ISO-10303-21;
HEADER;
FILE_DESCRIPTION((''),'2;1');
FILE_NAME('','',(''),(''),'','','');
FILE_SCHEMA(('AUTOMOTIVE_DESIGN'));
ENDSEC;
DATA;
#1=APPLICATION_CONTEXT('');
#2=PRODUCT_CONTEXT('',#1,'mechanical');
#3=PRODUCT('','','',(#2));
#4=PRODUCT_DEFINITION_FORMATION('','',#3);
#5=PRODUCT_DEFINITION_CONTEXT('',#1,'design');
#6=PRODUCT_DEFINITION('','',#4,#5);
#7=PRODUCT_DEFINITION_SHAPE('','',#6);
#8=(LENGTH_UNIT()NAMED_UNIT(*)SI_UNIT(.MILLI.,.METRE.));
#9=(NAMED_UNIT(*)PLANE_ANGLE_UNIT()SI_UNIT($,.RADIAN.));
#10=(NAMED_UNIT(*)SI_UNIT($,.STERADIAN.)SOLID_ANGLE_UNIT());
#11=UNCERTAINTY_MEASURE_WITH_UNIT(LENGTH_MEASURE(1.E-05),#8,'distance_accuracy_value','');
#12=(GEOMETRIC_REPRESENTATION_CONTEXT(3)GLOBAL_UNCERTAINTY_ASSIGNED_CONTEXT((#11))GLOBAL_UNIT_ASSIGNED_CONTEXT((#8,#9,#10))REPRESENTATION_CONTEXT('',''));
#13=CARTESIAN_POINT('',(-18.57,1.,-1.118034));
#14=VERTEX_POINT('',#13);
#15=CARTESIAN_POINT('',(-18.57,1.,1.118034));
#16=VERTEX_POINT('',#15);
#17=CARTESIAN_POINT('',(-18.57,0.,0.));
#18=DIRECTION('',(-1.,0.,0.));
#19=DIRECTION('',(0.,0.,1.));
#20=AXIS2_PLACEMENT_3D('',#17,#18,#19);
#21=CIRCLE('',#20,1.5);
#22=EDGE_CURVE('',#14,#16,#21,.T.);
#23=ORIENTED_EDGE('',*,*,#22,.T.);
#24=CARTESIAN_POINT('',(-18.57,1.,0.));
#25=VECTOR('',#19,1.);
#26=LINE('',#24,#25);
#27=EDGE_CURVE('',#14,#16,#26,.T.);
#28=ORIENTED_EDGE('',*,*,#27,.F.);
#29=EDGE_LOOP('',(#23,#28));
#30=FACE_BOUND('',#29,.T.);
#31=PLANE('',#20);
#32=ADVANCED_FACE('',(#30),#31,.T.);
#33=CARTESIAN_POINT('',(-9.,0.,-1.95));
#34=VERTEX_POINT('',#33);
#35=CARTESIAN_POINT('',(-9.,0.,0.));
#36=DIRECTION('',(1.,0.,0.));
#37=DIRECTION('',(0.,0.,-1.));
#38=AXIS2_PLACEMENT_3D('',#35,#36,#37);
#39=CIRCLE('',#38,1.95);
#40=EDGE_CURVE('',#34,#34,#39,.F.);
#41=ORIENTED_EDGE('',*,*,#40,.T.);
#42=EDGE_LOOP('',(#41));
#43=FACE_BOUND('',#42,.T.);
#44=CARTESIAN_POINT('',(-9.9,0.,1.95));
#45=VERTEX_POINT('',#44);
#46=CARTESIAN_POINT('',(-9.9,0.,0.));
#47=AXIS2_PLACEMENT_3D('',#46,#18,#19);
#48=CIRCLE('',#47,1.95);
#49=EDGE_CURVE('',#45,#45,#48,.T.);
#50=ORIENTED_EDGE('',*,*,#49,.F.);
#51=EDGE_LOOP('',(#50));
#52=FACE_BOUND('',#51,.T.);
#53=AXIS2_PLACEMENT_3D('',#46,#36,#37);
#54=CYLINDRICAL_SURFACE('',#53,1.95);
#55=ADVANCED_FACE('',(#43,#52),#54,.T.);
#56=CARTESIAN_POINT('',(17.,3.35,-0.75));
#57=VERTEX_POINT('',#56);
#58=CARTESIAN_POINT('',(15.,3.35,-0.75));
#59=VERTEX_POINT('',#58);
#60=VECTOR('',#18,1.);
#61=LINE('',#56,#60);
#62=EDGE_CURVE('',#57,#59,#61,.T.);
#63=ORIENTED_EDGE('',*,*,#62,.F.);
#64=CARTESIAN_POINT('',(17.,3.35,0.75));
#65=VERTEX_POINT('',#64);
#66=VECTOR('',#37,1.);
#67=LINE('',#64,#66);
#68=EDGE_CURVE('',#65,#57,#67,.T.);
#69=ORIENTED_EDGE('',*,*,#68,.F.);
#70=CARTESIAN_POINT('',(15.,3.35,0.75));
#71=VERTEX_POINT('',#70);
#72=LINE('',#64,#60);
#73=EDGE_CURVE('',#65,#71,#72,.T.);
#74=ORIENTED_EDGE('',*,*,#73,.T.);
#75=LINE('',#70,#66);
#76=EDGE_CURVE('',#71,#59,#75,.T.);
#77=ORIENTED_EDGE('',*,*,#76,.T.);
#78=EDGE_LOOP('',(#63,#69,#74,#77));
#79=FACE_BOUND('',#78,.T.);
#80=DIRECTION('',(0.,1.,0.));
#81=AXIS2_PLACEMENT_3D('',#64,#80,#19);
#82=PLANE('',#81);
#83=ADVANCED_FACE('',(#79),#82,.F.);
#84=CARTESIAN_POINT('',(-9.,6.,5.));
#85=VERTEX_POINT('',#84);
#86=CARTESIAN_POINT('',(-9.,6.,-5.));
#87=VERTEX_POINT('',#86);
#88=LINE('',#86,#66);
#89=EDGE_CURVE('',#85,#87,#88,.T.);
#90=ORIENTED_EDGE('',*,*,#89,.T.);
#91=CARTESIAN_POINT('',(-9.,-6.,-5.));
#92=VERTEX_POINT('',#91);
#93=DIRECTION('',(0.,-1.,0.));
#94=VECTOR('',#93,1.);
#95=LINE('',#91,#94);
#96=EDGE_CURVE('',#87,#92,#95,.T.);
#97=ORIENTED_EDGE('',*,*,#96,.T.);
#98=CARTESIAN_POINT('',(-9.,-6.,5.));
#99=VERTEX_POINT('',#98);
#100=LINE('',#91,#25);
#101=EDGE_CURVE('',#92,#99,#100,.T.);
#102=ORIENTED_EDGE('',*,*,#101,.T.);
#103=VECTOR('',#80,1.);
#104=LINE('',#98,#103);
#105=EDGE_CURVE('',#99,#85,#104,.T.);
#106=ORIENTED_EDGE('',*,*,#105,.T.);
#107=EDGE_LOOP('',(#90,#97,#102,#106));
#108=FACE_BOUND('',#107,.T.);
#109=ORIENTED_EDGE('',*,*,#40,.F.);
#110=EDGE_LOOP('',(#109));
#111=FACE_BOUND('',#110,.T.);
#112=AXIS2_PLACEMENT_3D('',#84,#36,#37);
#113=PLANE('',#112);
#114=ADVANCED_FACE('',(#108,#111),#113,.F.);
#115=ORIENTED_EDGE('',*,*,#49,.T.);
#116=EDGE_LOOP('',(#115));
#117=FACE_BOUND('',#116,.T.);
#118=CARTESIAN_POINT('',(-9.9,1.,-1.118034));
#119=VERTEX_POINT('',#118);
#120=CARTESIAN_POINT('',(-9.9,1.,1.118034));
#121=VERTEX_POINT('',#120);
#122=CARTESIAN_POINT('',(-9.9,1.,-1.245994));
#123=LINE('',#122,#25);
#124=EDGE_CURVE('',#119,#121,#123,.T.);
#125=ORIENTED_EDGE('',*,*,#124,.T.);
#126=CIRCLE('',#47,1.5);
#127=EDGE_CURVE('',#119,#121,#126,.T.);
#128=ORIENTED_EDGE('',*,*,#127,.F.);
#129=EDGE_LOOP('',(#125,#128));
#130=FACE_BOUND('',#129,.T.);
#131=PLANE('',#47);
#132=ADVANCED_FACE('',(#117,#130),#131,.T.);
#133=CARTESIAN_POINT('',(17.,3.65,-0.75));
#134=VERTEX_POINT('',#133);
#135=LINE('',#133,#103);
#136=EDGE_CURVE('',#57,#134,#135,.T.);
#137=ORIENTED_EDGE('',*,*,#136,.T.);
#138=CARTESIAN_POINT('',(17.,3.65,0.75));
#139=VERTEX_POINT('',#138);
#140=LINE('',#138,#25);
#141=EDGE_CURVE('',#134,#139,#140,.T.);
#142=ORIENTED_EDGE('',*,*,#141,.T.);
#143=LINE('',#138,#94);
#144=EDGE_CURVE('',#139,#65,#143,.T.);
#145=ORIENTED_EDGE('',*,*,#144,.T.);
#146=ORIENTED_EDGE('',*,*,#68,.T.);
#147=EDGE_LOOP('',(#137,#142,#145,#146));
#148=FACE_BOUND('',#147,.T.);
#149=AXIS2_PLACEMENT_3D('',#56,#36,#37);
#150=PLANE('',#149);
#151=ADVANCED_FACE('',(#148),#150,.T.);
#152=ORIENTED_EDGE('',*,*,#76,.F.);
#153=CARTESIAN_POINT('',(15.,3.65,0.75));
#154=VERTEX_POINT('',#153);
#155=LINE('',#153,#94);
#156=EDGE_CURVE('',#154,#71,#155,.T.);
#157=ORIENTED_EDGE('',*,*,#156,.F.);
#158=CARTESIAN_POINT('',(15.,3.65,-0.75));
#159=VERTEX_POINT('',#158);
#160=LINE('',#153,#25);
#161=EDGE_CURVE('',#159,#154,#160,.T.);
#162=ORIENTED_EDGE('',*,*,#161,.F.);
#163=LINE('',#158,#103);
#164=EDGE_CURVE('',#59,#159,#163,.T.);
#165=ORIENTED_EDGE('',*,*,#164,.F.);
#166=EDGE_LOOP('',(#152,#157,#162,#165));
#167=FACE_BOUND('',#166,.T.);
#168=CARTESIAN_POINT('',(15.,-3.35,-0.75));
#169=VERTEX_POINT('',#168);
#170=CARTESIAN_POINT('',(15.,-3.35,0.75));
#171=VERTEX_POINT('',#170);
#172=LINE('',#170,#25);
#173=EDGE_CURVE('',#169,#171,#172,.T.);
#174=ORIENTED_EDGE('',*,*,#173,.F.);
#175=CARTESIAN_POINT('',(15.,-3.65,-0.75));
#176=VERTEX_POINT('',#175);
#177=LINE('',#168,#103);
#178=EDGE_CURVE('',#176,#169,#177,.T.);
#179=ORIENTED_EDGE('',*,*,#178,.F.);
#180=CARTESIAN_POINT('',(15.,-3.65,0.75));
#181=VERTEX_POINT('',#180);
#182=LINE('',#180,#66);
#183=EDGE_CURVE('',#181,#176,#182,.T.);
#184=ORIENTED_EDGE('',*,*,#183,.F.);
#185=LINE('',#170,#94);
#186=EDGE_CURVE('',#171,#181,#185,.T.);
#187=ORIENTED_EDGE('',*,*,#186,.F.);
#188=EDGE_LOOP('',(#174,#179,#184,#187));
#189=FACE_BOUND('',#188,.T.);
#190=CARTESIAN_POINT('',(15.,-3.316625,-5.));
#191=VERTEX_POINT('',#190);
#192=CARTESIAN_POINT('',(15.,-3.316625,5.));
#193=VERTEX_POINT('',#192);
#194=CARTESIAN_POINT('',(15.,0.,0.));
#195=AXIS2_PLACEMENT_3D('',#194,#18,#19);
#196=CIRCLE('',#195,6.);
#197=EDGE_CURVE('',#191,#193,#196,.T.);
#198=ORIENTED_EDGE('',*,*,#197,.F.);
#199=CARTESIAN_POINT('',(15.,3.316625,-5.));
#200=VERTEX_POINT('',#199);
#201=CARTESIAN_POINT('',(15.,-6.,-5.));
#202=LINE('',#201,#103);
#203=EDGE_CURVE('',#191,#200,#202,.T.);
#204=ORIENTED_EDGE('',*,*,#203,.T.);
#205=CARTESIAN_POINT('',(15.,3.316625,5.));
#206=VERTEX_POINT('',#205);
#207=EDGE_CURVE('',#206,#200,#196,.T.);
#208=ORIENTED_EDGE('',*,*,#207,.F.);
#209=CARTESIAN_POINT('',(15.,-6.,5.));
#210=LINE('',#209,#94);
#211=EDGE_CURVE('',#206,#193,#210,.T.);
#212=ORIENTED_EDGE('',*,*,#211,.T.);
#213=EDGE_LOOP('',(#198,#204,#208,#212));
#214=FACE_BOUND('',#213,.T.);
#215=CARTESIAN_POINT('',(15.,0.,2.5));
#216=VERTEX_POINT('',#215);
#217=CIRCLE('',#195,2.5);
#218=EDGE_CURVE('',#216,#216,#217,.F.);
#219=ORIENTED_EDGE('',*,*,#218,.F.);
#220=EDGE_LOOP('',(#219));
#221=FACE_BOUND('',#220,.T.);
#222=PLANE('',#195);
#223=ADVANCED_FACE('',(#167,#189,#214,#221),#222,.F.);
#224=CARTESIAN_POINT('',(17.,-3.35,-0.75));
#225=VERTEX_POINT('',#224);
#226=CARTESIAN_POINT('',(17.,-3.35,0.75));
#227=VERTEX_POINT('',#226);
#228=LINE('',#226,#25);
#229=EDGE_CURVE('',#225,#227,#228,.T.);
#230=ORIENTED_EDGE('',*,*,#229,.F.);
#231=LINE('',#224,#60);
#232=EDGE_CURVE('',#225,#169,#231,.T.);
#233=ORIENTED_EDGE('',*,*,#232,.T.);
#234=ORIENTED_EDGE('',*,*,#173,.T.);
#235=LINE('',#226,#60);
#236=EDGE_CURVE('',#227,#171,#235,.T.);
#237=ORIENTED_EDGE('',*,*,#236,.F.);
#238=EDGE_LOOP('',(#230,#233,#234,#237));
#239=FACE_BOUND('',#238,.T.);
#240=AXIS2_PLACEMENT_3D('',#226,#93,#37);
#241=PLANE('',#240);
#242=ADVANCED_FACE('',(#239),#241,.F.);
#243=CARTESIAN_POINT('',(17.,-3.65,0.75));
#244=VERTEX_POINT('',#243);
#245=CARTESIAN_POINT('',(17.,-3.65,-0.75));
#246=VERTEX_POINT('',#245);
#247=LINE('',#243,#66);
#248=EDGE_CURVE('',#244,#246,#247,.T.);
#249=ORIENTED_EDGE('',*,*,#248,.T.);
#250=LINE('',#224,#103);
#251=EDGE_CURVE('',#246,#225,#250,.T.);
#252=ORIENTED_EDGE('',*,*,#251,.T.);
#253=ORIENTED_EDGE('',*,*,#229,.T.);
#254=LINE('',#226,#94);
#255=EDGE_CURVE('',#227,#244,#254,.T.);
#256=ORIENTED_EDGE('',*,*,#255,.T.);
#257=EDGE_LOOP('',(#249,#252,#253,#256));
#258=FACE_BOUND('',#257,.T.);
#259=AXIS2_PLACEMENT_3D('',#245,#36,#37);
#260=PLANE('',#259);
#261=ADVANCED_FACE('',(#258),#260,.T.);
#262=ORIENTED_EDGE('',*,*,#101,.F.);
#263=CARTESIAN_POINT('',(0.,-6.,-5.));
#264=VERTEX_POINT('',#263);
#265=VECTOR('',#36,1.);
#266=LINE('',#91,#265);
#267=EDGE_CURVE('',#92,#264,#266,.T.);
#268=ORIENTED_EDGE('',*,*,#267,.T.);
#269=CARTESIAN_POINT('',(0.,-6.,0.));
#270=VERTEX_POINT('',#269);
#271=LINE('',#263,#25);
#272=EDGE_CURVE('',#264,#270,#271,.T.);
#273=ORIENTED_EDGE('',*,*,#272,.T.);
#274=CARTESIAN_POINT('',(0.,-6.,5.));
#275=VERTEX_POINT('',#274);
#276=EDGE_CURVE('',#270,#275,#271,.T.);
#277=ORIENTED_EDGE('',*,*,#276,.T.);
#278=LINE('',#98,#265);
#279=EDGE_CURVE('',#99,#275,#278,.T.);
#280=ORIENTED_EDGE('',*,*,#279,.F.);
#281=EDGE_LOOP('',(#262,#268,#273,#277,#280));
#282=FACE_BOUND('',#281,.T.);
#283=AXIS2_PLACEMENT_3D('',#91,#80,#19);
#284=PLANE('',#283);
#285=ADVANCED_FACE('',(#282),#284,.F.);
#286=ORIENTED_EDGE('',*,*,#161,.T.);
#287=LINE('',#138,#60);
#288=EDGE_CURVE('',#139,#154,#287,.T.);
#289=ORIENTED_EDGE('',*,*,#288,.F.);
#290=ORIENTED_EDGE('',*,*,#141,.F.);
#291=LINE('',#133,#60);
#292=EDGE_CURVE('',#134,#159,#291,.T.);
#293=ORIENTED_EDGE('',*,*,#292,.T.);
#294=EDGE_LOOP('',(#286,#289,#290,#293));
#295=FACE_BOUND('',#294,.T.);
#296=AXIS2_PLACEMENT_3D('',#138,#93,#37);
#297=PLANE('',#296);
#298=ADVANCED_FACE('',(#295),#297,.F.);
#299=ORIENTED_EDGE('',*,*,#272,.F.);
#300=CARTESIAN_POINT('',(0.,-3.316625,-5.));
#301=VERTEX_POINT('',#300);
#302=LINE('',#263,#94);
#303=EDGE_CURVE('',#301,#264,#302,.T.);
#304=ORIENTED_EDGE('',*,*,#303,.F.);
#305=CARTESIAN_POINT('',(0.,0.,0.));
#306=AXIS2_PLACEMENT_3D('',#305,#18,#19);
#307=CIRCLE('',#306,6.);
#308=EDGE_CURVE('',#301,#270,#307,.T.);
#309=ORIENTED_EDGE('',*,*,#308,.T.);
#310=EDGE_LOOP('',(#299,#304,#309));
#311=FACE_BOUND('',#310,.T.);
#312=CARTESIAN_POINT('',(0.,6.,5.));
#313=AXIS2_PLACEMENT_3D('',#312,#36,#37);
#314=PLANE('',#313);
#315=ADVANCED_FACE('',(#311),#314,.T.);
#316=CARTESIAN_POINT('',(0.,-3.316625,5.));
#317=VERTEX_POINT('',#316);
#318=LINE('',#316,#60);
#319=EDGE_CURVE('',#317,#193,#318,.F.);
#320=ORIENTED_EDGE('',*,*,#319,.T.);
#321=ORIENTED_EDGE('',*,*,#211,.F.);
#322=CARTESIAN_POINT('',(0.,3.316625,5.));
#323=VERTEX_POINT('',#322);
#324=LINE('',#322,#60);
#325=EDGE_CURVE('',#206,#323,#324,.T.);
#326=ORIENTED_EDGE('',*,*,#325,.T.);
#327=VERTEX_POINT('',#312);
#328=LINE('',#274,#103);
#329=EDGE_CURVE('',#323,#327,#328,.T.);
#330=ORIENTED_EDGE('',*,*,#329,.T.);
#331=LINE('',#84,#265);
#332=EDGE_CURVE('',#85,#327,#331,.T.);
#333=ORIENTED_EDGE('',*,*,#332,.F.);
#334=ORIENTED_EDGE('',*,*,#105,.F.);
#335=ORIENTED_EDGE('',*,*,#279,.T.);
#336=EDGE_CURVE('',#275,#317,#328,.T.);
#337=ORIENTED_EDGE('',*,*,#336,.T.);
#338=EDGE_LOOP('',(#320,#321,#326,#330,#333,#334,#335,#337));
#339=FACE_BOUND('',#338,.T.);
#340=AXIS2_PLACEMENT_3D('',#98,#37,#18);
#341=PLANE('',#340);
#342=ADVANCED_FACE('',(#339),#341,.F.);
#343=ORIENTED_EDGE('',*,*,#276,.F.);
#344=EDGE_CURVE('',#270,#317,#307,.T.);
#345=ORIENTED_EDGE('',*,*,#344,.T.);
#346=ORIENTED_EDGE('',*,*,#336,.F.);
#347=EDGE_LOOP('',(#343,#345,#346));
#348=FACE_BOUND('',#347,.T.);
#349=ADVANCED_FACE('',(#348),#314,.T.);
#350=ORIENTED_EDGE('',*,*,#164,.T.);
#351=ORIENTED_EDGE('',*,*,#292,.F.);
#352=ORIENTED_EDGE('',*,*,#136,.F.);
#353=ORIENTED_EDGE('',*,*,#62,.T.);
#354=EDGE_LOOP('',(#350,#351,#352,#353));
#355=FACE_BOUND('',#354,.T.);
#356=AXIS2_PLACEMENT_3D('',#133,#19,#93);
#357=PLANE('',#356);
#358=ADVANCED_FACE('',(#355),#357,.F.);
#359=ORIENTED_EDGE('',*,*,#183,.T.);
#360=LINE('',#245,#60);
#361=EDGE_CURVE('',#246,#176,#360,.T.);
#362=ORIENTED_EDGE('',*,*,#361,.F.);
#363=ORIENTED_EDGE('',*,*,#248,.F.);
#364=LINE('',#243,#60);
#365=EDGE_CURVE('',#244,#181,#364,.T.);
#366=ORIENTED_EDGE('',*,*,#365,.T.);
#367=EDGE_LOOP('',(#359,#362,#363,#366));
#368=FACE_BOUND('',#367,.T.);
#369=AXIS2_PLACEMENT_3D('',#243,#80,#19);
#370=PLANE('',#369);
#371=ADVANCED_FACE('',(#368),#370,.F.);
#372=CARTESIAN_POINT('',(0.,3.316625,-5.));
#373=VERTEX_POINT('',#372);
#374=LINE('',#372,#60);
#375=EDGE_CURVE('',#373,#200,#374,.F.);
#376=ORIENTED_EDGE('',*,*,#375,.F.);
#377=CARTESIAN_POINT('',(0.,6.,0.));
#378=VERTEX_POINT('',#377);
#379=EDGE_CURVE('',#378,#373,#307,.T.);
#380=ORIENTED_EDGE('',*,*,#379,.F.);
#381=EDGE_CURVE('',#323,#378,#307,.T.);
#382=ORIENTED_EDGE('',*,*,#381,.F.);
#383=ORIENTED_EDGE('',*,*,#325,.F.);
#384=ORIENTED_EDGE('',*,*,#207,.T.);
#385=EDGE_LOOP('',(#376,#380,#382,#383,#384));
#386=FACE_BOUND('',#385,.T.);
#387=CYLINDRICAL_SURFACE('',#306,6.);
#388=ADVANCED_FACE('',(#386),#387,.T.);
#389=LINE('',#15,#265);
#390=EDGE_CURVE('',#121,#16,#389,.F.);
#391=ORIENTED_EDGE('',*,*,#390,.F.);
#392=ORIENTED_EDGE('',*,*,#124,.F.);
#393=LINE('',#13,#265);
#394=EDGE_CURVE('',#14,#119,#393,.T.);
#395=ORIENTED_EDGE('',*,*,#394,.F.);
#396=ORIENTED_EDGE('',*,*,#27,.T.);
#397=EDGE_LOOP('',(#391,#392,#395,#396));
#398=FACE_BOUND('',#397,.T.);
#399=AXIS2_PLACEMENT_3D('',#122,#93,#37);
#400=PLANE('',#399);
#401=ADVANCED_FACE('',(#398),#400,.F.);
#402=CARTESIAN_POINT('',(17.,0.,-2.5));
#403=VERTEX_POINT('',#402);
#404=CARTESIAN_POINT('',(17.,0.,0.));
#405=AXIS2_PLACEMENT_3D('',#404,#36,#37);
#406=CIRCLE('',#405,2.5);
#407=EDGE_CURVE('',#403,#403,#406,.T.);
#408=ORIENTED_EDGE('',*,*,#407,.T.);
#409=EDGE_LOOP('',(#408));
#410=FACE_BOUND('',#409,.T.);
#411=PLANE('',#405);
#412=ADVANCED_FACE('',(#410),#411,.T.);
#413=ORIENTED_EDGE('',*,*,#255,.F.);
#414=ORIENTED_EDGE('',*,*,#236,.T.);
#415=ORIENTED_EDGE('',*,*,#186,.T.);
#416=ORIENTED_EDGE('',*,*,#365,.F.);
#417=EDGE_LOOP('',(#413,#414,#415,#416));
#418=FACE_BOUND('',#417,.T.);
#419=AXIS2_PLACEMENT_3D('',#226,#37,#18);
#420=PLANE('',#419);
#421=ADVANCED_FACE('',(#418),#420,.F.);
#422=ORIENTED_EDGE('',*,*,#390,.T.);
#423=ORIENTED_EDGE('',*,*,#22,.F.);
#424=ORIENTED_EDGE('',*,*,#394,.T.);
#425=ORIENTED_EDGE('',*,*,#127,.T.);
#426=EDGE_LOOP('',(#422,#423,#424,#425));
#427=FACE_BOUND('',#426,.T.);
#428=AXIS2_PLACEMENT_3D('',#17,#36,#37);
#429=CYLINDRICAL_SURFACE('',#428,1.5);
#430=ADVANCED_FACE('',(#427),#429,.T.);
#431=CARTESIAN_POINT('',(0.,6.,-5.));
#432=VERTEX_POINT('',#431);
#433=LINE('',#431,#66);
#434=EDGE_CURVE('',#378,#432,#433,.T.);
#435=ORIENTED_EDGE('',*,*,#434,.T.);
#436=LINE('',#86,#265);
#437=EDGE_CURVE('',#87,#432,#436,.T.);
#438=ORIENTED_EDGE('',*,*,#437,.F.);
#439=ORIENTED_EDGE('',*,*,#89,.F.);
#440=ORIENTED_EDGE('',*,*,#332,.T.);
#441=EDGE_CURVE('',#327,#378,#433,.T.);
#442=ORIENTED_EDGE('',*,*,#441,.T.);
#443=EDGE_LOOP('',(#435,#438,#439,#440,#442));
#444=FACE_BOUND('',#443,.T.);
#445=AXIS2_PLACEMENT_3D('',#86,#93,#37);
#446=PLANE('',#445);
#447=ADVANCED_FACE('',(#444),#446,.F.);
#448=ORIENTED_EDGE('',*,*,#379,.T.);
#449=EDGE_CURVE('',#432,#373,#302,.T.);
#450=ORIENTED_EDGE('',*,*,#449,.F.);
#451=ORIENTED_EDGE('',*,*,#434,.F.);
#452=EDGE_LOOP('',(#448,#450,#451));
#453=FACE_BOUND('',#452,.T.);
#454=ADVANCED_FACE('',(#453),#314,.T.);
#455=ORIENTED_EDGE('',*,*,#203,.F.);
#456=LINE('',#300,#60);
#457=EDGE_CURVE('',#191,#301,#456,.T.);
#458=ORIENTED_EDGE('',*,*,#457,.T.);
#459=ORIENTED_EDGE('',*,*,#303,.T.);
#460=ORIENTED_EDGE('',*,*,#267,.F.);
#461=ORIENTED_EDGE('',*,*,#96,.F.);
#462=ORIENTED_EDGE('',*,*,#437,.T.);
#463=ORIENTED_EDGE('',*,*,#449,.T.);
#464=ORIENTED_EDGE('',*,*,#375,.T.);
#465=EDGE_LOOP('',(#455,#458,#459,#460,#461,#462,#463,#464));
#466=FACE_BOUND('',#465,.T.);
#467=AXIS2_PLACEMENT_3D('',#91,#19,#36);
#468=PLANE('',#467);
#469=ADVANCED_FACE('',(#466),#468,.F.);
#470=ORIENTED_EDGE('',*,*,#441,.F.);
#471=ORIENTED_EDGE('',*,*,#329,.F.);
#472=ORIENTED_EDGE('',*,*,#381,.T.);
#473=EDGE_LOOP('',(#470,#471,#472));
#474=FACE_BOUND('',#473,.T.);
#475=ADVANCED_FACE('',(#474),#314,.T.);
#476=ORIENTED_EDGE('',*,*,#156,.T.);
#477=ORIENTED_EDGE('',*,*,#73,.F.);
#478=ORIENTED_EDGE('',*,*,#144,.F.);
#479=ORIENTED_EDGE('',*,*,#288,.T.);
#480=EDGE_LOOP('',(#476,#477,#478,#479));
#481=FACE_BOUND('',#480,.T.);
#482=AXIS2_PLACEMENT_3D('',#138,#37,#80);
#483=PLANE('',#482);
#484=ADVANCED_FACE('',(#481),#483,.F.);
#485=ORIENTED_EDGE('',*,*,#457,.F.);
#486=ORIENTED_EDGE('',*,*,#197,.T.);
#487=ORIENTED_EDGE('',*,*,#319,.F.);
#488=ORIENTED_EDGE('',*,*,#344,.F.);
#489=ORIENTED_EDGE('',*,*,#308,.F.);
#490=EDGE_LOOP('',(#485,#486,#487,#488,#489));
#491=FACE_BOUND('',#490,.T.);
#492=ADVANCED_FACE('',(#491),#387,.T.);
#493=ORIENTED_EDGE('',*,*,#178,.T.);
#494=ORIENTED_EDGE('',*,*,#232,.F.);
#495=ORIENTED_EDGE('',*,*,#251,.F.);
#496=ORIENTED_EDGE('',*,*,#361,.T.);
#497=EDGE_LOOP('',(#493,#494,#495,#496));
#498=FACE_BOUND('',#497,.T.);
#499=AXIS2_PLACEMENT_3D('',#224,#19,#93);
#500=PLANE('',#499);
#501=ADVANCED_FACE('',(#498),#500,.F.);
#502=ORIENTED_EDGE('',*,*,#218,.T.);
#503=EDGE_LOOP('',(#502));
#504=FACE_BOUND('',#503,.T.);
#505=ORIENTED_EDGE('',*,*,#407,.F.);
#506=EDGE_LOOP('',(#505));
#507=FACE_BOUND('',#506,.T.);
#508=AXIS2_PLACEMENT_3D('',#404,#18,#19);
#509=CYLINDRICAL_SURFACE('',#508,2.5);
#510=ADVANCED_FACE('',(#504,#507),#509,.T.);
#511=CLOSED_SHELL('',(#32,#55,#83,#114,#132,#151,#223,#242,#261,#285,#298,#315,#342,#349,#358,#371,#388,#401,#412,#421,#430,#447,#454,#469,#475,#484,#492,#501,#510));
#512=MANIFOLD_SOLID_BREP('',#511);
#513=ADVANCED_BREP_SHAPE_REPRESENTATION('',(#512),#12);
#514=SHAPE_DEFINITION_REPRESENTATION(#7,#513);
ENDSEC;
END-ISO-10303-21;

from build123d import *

# Parameters (mm, degrees)
SKETCH6_W           = 15
SKETCH6_H           = 6
SKETCH8_W           = 10
SKETCH8_H           = 12
BOSS_EXTRUDE2_DEPTH = 9
SKETCH9_W           = 1
SKETCH9_H           = 12
CUT_EXTRUDE2_DEPTH  = 15
SKETCH10_R          = 1.95
BOSS_EXTRUDE3_DEPTH = 0.9
SKETCH11_R          = 1.5
BOSS_EXTRUDE4_DEPTH = 8.67
SKETCH12_W          = 2.491987158
SKETCH12_H          = 0.5
CUT_EXTRUDE3_DEPTH  = 8.67
SKETCH13_R          = 2.5
SKETCH13_W          = 1.5
SKETCH13_H          = 0.3
BOSS_EXTRUDE5_DEPTH = 2


with BuildPart() as part:
    # Sketch6 → Revolve-Thin2 (revolve)
    with BuildSketch(Plane(origin=(0, 0, 0), x_dir=(1, 0, 0), z_dir=(0, 1, 0)), mode=Mode.PRIVATE) as revolve_thin2_sk:
        with Locations((7.5, 3)):
            Rectangle(SKETCH6_W, SKETCH6_H)
    revolve(revolve_thin2_sk.sketch.rotate(Axis((0, 0, 0), (1, 0, 0)), 180), axis=Axis((0, 0, 0), (1, 0, 0)))

    # Sketch8 → Boss-Extrude2 (add)
    with BuildSketch(Plane.ZY):
        Rectangle(SKETCH8_W, SKETCH8_H)
    extrude(amount=BOSS_EXTRUDE2_DEPTH)

    # Sketch9 → Cut-Extrude2 (cut)
    with BuildSketch(Plane.ZY):
        with Locations((5.5, 0)):
            Rectangle(SKETCH9_W, SKETCH9_H)
        with Locations((-5.5, 0)):
            Rectangle(SKETCH9_W, SKETCH9_H)
    extrude(amount=-CUT_EXTRUDE2_DEPTH, mode=Mode.SUBTRACT)

    # Sketch10 → Boss-Extrude3 (add)
    with BuildSketch(Plane.ZY.offset(9)):
        with Locations(Location((0, 0, 0), (0, 0, 180))):
            Circle(SKETCH10_R)
    extrude(amount=BOSS_EXTRUDE3_DEPTH)

    # Sketch11 → Boss-Extrude4 (add)
    with BuildSketch(Plane.ZY.offset(9.9)):
        Circle(SKETCH11_R)
    extrude(amount=BOSS_EXTRUDE4_DEPTH)

    # Sketch12 → Cut-Extrude3 (cut)
    with BuildSketch(Plane.ZY.offset(18.57)):
        with Locations((0, 1.25)):
            Rectangle(SKETCH12_W, SKETCH12_H)
    extrude(amount=-CUT_EXTRUDE3_DEPTH, mode=Mode.SUBTRACT)

    # Sketch13 → Boss-Extrude5 (add)
    with BuildSketch(Plane(origin=(15, 0, 0), x_dir=(0, 0, -1), z_dir=(1, 0, 0))):
        with Locations(Location((0, 0, 0), (0, 0, 180))):
            Circle(SKETCH13_R)
        with Locations((0, 3.5)):
            Rectangle(SKETCH13_W, SKETCH13_H)
        with Locations((0, -3.5)):
            Rectangle(SKETCH13_W, SKETCH13_H)
    extrude(amount=BOSS_EXTRUDE5_DEPTH)


solid = part.part
